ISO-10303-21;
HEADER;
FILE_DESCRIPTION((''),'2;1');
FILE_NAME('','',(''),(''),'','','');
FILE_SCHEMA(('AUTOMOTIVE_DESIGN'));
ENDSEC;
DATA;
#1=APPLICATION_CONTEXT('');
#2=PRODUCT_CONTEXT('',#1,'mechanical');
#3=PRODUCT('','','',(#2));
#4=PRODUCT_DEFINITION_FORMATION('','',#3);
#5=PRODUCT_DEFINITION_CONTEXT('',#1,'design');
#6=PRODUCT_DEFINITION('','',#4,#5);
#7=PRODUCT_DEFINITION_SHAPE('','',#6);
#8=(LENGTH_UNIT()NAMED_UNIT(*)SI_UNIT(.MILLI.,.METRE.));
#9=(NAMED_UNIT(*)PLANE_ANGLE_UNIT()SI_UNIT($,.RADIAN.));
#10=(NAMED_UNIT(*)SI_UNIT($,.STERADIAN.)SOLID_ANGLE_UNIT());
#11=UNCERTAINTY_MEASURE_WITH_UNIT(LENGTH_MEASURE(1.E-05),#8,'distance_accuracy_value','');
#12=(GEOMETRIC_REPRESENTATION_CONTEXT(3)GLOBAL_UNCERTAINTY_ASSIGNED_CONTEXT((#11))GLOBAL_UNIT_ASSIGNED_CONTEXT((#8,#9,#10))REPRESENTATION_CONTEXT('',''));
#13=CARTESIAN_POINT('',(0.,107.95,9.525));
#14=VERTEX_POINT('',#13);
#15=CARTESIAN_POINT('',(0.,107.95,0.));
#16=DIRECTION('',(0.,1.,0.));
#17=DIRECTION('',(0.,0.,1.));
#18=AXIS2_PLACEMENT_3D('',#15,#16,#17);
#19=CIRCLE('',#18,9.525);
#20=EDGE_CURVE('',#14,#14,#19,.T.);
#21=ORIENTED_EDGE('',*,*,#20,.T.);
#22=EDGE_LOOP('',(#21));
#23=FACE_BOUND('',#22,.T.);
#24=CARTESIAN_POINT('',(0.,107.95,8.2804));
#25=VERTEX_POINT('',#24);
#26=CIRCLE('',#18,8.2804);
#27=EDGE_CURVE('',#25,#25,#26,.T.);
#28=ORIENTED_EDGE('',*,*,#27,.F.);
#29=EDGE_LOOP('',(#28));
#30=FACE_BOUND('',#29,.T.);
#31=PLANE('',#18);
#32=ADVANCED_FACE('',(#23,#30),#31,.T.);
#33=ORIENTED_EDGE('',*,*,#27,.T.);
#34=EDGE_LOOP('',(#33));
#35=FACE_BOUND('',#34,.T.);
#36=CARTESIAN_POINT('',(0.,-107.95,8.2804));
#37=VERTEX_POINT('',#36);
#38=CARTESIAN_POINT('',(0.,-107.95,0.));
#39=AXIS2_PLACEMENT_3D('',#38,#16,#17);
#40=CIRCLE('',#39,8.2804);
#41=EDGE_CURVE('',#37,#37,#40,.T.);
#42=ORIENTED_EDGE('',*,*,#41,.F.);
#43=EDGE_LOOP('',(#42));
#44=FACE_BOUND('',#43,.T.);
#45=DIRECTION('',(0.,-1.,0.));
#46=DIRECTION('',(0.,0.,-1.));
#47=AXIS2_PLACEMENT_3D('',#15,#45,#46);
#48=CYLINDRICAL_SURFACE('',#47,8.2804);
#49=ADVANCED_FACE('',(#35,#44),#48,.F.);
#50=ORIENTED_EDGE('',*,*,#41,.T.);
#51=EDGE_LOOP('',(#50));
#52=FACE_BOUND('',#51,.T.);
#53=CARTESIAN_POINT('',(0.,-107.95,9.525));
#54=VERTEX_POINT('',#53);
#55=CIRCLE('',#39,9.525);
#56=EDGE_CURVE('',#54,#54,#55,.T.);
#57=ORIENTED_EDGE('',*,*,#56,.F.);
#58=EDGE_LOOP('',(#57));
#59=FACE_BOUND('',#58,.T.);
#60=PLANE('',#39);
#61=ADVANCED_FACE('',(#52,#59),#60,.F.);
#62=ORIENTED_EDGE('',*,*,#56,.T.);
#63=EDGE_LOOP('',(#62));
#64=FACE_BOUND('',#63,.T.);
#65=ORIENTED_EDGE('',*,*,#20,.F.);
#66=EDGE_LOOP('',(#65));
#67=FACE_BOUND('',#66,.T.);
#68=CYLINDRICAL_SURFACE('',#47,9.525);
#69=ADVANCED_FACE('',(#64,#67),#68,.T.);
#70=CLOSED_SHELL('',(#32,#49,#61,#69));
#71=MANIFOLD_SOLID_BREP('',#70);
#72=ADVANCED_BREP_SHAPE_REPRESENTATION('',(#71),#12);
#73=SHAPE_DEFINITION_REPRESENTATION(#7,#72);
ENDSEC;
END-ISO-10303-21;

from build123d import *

# Parameters (mm, degrees)
SKETCH1_R           = 9.525
SKETCH1_R_2         = 8.2804
BOSS_EXTRUDE1_DEPTH = 107.95


with BuildPart() as part:
    # Sketch1 → Boss-Extrude1 (new, symmetric)
    with BuildSketch(Plane(origin=(0, 0, 0), x_dir=(1, 0, 0), z_dir=(0, 1, 0))):
        with Locations(Location((0, 0, 0), (0, 0, 270))):
            Circle(SKETCH1_R)
        with Locations(Location((0, 0, 0), (0, 0, 270))):
            Circle(SKETCH1_R_2, mode=Mode.SUBTRACT)
    extrude(amount=BOSS_EXTRUDE1_DEPTH, both=True)


solid = part.part
